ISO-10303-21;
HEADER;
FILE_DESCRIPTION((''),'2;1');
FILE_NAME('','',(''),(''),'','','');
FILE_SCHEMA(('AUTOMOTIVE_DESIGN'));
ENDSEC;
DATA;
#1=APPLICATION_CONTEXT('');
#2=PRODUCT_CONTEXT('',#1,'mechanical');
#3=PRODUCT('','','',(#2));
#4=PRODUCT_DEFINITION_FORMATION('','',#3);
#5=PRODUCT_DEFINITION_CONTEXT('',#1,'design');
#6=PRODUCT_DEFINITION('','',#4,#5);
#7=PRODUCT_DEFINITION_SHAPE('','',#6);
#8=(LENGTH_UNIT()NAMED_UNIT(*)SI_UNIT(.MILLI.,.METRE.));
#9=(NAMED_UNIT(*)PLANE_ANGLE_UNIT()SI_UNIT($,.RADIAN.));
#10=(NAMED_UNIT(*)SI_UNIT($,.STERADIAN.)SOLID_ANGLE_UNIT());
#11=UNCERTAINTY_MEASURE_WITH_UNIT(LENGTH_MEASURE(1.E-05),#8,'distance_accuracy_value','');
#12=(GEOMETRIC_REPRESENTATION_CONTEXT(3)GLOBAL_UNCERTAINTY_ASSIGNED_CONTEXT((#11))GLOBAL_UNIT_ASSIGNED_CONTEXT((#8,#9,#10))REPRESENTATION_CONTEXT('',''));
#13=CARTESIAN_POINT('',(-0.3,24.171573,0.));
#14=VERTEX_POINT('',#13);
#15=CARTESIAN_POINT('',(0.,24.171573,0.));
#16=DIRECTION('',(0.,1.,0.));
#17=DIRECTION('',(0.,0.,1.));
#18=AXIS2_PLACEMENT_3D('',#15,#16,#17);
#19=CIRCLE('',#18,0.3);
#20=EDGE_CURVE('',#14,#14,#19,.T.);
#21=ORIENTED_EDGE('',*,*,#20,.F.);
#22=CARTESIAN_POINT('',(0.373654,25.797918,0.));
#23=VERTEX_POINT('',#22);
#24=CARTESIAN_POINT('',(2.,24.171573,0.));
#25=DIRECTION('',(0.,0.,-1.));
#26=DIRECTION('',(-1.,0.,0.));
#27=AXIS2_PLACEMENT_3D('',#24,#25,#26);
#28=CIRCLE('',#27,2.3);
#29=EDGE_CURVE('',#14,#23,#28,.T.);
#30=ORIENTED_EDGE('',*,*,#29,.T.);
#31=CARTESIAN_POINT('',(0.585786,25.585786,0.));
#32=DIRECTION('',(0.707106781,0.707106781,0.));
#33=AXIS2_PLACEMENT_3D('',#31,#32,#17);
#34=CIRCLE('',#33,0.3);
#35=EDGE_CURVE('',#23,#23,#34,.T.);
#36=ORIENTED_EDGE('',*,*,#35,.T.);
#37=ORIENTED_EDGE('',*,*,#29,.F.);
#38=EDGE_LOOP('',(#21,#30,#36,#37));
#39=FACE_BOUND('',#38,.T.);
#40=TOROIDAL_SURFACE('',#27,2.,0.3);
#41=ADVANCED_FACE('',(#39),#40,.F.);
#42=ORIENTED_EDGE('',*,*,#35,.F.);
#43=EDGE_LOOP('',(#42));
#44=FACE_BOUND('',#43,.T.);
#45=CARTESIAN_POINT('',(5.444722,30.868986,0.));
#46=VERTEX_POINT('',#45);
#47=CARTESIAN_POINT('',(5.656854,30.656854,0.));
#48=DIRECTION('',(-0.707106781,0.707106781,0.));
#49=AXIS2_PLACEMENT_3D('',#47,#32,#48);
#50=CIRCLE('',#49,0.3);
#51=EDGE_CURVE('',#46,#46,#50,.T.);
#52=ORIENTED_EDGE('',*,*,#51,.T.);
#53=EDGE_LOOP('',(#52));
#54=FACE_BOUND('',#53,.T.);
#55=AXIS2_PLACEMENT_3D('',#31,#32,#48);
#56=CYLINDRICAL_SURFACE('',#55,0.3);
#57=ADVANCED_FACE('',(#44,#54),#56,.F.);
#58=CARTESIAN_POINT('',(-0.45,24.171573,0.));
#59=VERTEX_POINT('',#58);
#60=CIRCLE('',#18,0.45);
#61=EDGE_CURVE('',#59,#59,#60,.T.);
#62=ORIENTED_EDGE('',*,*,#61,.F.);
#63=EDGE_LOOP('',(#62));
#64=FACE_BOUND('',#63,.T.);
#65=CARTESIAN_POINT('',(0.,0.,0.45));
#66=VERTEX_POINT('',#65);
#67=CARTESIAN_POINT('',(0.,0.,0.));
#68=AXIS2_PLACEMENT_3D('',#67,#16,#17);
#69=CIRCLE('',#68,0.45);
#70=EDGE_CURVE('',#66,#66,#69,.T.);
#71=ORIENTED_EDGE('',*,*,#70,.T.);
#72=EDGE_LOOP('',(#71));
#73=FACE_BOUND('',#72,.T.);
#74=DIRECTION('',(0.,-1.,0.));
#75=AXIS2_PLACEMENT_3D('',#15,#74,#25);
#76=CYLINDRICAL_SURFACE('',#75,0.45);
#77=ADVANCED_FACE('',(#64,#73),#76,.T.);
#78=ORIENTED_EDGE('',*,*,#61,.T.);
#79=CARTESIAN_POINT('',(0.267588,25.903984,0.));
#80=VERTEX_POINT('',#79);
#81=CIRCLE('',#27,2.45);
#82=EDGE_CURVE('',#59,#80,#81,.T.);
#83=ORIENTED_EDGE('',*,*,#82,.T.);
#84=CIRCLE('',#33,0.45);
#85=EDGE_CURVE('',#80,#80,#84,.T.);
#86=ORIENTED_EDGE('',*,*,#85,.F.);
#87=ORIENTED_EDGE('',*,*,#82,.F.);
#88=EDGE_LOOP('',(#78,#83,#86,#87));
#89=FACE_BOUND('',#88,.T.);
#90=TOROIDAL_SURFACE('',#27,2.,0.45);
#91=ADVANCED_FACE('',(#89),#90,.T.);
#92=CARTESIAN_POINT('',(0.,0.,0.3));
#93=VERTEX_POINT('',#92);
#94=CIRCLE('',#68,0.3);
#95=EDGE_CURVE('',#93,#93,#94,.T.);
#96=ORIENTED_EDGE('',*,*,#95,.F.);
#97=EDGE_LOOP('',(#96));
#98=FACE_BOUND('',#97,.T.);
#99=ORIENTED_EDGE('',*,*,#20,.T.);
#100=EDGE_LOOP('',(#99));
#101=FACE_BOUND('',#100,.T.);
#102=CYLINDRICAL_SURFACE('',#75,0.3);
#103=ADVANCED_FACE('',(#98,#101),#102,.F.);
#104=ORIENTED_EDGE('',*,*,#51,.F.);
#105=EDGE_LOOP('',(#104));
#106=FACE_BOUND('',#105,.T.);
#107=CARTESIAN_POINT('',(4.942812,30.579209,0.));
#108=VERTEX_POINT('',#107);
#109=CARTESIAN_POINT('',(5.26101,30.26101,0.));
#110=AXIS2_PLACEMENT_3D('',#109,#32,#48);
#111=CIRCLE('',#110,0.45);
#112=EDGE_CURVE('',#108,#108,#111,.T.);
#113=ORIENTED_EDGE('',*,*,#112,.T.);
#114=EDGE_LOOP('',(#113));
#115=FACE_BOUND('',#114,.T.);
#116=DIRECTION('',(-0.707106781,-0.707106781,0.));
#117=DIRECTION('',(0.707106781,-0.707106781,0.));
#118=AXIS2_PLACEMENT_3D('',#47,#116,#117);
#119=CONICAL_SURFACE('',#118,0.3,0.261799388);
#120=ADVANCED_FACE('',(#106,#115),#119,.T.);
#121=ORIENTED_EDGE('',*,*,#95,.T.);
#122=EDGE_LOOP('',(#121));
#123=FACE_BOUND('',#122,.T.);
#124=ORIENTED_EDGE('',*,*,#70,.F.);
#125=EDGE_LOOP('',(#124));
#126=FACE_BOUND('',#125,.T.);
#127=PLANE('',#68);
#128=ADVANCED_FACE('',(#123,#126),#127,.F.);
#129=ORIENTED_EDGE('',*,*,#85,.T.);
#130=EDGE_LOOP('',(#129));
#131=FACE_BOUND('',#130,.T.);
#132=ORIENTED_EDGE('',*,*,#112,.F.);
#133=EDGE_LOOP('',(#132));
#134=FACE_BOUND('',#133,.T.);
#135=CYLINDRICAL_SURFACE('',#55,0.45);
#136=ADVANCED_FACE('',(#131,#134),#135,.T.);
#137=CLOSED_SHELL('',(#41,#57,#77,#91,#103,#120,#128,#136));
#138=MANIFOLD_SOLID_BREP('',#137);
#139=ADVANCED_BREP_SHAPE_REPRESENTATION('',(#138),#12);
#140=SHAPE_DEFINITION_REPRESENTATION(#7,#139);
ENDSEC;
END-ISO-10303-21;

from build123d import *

# Parameters (mm, degrees)
SKETCH8_R   = 0.45
SKETCH8_R_2 = 0.3


with BuildPart() as part:
    # Sweep1: sweep along a path in Sketch7
    with BuildLine(Plane.XY) as sweep1_path:
        Line((0, 0), (0, 24.171572875))
        ThreePointArc((0, 24.171572875), (0.152240935, 24.93693974), (0.585786438, 25.585786438))
        Line((0.585786438, 25.585786438), (5.656854249, 30.656854249))
    # Sketch8 → Sweep1 (sweep)
    with BuildSketch(Plane(origin=(0, 0, 0), x_dir=(1, 0, 0), z_dir=(0, 1, 0))):
        Circle(SKETCH8_R)
        Circle(SKETCH8_R_2, mode=Mode.SUBTRACT)
    sweep(path=sweep1_path.line)

    # Sketch9 → Cut-Revolve3 (revolve, cut)
    with BuildSketch(Plane.XY):
        Polygon((5.975052301, 30.338656198), (5.868986284, 30.444722215), (5.579208536, 29.942812433), align=None)
    revolve(axis=Axis((6.207317526, 31.207317526, 0), (-0.7071067811865472, -0.7071067811865479, 0)), mode=Mode.SUBTRACT)


solid = part.part
